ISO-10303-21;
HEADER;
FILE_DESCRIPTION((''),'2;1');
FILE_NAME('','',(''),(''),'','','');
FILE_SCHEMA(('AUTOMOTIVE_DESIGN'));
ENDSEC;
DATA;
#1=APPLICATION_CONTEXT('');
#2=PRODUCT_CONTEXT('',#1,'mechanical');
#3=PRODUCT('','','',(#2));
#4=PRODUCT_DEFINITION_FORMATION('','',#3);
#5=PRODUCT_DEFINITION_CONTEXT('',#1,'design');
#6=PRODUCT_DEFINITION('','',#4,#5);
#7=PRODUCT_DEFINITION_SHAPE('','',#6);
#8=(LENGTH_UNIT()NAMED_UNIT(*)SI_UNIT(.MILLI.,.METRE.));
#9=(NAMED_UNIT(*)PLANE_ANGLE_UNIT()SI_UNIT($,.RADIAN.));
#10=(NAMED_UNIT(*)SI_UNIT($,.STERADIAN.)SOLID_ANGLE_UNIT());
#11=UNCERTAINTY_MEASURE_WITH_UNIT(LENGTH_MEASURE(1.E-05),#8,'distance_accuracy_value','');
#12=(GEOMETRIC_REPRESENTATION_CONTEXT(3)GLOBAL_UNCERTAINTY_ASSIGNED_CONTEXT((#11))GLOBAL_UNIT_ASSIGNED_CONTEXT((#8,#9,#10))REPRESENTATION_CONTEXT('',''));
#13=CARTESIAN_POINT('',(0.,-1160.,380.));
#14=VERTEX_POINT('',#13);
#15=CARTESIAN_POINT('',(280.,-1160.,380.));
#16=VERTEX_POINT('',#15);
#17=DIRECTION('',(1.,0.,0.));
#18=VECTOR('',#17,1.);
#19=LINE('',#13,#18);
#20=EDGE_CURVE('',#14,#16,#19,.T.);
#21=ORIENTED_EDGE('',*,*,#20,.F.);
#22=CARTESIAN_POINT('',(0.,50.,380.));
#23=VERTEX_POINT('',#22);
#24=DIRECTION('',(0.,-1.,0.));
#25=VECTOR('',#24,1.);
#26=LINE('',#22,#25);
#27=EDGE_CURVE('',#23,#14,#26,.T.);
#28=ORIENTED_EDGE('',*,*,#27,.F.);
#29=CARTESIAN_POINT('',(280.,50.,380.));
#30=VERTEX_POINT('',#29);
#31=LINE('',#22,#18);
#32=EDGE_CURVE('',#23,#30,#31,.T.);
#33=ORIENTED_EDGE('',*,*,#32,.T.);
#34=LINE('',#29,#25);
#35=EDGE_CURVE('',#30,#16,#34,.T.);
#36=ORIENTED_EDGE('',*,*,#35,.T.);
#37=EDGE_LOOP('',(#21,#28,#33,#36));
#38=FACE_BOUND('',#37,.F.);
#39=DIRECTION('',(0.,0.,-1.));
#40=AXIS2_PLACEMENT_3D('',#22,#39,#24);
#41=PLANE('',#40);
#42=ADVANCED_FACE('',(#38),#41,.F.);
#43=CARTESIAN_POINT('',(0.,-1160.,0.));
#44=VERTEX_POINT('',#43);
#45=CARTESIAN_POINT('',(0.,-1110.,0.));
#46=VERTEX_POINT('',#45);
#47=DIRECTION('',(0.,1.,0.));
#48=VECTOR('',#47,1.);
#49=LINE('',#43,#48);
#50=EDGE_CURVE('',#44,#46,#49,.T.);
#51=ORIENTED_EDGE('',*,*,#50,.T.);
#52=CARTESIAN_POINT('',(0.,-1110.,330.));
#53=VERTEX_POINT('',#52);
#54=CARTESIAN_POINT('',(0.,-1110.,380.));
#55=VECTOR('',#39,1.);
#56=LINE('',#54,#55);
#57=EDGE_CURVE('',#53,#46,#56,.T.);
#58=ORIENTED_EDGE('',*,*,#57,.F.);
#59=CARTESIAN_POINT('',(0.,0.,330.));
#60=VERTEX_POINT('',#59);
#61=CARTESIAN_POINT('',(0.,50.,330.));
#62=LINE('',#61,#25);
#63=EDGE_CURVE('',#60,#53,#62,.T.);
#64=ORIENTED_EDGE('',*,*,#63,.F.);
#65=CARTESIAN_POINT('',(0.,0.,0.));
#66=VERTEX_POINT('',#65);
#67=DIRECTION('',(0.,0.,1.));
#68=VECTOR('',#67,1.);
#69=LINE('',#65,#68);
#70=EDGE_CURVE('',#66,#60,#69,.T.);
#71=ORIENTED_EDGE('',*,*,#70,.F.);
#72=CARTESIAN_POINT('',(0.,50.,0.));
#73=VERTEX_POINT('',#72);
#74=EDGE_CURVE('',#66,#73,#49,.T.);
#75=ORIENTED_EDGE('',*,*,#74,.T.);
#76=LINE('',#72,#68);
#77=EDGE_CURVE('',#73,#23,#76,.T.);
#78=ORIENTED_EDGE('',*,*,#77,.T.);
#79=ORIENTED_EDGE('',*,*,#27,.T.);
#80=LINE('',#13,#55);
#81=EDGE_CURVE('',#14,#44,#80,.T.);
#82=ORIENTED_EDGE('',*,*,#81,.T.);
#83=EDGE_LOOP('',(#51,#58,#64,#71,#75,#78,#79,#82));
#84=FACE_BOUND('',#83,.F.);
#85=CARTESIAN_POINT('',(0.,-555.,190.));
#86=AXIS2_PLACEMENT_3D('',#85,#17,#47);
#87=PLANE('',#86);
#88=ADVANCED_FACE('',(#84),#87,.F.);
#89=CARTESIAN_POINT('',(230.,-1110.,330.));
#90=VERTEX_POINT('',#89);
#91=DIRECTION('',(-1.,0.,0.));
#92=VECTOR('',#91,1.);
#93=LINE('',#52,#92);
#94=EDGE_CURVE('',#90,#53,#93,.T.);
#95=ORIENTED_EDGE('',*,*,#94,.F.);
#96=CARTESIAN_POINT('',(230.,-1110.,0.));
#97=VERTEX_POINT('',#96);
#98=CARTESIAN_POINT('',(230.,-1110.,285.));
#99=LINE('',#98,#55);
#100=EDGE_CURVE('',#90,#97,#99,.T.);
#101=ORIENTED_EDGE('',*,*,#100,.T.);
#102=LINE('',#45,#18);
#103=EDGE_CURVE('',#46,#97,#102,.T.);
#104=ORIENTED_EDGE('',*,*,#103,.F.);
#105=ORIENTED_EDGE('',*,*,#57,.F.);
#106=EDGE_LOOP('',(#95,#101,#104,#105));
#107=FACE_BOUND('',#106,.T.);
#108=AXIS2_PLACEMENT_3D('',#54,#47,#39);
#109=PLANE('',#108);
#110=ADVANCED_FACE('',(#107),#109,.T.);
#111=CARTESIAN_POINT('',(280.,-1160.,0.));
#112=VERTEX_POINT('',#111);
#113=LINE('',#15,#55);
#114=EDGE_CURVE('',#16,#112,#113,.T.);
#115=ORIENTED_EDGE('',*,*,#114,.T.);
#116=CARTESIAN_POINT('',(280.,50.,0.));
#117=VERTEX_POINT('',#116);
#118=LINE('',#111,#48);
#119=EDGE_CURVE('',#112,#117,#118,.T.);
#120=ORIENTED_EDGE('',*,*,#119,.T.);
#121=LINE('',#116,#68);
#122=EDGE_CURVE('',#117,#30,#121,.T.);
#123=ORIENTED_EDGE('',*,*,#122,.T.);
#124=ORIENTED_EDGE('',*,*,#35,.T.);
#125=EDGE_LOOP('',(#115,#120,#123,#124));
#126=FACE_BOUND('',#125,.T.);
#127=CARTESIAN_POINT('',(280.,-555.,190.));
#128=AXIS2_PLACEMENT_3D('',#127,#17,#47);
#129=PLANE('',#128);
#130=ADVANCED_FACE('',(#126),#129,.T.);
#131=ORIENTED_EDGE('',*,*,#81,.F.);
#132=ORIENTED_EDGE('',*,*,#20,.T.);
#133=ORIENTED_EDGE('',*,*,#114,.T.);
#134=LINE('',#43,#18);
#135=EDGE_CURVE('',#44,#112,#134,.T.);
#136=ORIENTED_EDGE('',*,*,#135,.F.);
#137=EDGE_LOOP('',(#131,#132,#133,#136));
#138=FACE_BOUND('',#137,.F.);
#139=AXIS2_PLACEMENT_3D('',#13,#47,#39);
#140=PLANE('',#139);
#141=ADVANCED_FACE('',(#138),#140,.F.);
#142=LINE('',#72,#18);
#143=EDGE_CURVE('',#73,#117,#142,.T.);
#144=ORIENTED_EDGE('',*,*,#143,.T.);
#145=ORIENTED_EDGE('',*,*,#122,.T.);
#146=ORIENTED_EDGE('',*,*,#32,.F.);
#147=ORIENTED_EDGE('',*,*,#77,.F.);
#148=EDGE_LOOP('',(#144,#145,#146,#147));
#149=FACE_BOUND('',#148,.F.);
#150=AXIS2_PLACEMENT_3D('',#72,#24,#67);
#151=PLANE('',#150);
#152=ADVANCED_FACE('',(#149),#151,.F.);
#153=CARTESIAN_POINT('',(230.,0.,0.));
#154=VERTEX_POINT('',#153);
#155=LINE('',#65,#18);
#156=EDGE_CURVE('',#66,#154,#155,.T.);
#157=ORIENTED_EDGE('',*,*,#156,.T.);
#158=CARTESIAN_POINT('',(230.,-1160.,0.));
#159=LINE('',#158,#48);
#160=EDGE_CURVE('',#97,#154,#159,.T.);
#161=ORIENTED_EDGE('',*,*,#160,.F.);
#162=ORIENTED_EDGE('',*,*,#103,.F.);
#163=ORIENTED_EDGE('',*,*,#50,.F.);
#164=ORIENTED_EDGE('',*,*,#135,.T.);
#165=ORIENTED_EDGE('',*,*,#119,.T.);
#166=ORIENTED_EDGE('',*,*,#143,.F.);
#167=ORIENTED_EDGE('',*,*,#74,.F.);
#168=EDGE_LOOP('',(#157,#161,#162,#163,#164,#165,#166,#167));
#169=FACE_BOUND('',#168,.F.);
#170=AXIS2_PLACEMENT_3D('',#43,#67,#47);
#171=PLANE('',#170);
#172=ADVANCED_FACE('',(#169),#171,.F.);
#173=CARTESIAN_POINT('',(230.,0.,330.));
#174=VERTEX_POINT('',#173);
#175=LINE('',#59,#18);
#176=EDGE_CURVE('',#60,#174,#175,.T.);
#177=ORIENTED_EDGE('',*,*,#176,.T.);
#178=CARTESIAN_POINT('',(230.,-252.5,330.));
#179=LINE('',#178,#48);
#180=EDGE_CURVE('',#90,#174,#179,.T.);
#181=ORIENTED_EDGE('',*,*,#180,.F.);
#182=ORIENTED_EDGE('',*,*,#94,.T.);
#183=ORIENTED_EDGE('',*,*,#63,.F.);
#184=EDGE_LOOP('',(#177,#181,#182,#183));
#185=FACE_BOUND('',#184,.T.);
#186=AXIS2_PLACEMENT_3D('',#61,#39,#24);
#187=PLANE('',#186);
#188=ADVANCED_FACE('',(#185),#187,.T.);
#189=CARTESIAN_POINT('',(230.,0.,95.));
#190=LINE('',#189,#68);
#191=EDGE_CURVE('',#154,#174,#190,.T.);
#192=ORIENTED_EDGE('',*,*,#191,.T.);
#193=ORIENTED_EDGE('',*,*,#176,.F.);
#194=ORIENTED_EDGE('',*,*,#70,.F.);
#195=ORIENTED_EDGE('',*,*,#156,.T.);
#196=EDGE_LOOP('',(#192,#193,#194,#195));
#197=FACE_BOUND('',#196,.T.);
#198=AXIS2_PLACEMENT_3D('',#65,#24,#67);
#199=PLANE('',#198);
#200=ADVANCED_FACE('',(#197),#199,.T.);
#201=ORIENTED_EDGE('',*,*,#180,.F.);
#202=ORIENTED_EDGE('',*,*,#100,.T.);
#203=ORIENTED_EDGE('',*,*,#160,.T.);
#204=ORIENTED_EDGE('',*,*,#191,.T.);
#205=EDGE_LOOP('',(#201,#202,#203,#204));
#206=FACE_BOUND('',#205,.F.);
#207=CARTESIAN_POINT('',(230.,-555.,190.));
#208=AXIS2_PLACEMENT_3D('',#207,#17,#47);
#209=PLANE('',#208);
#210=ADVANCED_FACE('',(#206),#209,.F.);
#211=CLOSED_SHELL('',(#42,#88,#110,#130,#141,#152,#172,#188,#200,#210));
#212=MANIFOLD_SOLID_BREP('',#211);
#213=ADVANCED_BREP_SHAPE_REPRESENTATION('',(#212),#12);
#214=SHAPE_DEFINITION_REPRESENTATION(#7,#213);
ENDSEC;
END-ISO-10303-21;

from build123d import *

# Parameters (mm, degrees)
F1_DEPTH = 280
F2_T     = -50


with BuildPart() as f1:
    # F0 (on Right) → F1 (new body)
    with BuildSketch(Plane.YZ):
        Polygon((-1110, 0), (0, 0), (50, 0), (50, 380), (-1160, 380), (-1160, 0), align=None)
    extrude(amount=F1_DEPTH)

    # F2
    f2_openings = [f1.faces().sort_by_distance(p)[0] for p in [
        (0, -555, 190),
        (140, -555, 0),
    ]]
    offset(amount=F2_T, openings=f2_openings)


solid = f1.part
